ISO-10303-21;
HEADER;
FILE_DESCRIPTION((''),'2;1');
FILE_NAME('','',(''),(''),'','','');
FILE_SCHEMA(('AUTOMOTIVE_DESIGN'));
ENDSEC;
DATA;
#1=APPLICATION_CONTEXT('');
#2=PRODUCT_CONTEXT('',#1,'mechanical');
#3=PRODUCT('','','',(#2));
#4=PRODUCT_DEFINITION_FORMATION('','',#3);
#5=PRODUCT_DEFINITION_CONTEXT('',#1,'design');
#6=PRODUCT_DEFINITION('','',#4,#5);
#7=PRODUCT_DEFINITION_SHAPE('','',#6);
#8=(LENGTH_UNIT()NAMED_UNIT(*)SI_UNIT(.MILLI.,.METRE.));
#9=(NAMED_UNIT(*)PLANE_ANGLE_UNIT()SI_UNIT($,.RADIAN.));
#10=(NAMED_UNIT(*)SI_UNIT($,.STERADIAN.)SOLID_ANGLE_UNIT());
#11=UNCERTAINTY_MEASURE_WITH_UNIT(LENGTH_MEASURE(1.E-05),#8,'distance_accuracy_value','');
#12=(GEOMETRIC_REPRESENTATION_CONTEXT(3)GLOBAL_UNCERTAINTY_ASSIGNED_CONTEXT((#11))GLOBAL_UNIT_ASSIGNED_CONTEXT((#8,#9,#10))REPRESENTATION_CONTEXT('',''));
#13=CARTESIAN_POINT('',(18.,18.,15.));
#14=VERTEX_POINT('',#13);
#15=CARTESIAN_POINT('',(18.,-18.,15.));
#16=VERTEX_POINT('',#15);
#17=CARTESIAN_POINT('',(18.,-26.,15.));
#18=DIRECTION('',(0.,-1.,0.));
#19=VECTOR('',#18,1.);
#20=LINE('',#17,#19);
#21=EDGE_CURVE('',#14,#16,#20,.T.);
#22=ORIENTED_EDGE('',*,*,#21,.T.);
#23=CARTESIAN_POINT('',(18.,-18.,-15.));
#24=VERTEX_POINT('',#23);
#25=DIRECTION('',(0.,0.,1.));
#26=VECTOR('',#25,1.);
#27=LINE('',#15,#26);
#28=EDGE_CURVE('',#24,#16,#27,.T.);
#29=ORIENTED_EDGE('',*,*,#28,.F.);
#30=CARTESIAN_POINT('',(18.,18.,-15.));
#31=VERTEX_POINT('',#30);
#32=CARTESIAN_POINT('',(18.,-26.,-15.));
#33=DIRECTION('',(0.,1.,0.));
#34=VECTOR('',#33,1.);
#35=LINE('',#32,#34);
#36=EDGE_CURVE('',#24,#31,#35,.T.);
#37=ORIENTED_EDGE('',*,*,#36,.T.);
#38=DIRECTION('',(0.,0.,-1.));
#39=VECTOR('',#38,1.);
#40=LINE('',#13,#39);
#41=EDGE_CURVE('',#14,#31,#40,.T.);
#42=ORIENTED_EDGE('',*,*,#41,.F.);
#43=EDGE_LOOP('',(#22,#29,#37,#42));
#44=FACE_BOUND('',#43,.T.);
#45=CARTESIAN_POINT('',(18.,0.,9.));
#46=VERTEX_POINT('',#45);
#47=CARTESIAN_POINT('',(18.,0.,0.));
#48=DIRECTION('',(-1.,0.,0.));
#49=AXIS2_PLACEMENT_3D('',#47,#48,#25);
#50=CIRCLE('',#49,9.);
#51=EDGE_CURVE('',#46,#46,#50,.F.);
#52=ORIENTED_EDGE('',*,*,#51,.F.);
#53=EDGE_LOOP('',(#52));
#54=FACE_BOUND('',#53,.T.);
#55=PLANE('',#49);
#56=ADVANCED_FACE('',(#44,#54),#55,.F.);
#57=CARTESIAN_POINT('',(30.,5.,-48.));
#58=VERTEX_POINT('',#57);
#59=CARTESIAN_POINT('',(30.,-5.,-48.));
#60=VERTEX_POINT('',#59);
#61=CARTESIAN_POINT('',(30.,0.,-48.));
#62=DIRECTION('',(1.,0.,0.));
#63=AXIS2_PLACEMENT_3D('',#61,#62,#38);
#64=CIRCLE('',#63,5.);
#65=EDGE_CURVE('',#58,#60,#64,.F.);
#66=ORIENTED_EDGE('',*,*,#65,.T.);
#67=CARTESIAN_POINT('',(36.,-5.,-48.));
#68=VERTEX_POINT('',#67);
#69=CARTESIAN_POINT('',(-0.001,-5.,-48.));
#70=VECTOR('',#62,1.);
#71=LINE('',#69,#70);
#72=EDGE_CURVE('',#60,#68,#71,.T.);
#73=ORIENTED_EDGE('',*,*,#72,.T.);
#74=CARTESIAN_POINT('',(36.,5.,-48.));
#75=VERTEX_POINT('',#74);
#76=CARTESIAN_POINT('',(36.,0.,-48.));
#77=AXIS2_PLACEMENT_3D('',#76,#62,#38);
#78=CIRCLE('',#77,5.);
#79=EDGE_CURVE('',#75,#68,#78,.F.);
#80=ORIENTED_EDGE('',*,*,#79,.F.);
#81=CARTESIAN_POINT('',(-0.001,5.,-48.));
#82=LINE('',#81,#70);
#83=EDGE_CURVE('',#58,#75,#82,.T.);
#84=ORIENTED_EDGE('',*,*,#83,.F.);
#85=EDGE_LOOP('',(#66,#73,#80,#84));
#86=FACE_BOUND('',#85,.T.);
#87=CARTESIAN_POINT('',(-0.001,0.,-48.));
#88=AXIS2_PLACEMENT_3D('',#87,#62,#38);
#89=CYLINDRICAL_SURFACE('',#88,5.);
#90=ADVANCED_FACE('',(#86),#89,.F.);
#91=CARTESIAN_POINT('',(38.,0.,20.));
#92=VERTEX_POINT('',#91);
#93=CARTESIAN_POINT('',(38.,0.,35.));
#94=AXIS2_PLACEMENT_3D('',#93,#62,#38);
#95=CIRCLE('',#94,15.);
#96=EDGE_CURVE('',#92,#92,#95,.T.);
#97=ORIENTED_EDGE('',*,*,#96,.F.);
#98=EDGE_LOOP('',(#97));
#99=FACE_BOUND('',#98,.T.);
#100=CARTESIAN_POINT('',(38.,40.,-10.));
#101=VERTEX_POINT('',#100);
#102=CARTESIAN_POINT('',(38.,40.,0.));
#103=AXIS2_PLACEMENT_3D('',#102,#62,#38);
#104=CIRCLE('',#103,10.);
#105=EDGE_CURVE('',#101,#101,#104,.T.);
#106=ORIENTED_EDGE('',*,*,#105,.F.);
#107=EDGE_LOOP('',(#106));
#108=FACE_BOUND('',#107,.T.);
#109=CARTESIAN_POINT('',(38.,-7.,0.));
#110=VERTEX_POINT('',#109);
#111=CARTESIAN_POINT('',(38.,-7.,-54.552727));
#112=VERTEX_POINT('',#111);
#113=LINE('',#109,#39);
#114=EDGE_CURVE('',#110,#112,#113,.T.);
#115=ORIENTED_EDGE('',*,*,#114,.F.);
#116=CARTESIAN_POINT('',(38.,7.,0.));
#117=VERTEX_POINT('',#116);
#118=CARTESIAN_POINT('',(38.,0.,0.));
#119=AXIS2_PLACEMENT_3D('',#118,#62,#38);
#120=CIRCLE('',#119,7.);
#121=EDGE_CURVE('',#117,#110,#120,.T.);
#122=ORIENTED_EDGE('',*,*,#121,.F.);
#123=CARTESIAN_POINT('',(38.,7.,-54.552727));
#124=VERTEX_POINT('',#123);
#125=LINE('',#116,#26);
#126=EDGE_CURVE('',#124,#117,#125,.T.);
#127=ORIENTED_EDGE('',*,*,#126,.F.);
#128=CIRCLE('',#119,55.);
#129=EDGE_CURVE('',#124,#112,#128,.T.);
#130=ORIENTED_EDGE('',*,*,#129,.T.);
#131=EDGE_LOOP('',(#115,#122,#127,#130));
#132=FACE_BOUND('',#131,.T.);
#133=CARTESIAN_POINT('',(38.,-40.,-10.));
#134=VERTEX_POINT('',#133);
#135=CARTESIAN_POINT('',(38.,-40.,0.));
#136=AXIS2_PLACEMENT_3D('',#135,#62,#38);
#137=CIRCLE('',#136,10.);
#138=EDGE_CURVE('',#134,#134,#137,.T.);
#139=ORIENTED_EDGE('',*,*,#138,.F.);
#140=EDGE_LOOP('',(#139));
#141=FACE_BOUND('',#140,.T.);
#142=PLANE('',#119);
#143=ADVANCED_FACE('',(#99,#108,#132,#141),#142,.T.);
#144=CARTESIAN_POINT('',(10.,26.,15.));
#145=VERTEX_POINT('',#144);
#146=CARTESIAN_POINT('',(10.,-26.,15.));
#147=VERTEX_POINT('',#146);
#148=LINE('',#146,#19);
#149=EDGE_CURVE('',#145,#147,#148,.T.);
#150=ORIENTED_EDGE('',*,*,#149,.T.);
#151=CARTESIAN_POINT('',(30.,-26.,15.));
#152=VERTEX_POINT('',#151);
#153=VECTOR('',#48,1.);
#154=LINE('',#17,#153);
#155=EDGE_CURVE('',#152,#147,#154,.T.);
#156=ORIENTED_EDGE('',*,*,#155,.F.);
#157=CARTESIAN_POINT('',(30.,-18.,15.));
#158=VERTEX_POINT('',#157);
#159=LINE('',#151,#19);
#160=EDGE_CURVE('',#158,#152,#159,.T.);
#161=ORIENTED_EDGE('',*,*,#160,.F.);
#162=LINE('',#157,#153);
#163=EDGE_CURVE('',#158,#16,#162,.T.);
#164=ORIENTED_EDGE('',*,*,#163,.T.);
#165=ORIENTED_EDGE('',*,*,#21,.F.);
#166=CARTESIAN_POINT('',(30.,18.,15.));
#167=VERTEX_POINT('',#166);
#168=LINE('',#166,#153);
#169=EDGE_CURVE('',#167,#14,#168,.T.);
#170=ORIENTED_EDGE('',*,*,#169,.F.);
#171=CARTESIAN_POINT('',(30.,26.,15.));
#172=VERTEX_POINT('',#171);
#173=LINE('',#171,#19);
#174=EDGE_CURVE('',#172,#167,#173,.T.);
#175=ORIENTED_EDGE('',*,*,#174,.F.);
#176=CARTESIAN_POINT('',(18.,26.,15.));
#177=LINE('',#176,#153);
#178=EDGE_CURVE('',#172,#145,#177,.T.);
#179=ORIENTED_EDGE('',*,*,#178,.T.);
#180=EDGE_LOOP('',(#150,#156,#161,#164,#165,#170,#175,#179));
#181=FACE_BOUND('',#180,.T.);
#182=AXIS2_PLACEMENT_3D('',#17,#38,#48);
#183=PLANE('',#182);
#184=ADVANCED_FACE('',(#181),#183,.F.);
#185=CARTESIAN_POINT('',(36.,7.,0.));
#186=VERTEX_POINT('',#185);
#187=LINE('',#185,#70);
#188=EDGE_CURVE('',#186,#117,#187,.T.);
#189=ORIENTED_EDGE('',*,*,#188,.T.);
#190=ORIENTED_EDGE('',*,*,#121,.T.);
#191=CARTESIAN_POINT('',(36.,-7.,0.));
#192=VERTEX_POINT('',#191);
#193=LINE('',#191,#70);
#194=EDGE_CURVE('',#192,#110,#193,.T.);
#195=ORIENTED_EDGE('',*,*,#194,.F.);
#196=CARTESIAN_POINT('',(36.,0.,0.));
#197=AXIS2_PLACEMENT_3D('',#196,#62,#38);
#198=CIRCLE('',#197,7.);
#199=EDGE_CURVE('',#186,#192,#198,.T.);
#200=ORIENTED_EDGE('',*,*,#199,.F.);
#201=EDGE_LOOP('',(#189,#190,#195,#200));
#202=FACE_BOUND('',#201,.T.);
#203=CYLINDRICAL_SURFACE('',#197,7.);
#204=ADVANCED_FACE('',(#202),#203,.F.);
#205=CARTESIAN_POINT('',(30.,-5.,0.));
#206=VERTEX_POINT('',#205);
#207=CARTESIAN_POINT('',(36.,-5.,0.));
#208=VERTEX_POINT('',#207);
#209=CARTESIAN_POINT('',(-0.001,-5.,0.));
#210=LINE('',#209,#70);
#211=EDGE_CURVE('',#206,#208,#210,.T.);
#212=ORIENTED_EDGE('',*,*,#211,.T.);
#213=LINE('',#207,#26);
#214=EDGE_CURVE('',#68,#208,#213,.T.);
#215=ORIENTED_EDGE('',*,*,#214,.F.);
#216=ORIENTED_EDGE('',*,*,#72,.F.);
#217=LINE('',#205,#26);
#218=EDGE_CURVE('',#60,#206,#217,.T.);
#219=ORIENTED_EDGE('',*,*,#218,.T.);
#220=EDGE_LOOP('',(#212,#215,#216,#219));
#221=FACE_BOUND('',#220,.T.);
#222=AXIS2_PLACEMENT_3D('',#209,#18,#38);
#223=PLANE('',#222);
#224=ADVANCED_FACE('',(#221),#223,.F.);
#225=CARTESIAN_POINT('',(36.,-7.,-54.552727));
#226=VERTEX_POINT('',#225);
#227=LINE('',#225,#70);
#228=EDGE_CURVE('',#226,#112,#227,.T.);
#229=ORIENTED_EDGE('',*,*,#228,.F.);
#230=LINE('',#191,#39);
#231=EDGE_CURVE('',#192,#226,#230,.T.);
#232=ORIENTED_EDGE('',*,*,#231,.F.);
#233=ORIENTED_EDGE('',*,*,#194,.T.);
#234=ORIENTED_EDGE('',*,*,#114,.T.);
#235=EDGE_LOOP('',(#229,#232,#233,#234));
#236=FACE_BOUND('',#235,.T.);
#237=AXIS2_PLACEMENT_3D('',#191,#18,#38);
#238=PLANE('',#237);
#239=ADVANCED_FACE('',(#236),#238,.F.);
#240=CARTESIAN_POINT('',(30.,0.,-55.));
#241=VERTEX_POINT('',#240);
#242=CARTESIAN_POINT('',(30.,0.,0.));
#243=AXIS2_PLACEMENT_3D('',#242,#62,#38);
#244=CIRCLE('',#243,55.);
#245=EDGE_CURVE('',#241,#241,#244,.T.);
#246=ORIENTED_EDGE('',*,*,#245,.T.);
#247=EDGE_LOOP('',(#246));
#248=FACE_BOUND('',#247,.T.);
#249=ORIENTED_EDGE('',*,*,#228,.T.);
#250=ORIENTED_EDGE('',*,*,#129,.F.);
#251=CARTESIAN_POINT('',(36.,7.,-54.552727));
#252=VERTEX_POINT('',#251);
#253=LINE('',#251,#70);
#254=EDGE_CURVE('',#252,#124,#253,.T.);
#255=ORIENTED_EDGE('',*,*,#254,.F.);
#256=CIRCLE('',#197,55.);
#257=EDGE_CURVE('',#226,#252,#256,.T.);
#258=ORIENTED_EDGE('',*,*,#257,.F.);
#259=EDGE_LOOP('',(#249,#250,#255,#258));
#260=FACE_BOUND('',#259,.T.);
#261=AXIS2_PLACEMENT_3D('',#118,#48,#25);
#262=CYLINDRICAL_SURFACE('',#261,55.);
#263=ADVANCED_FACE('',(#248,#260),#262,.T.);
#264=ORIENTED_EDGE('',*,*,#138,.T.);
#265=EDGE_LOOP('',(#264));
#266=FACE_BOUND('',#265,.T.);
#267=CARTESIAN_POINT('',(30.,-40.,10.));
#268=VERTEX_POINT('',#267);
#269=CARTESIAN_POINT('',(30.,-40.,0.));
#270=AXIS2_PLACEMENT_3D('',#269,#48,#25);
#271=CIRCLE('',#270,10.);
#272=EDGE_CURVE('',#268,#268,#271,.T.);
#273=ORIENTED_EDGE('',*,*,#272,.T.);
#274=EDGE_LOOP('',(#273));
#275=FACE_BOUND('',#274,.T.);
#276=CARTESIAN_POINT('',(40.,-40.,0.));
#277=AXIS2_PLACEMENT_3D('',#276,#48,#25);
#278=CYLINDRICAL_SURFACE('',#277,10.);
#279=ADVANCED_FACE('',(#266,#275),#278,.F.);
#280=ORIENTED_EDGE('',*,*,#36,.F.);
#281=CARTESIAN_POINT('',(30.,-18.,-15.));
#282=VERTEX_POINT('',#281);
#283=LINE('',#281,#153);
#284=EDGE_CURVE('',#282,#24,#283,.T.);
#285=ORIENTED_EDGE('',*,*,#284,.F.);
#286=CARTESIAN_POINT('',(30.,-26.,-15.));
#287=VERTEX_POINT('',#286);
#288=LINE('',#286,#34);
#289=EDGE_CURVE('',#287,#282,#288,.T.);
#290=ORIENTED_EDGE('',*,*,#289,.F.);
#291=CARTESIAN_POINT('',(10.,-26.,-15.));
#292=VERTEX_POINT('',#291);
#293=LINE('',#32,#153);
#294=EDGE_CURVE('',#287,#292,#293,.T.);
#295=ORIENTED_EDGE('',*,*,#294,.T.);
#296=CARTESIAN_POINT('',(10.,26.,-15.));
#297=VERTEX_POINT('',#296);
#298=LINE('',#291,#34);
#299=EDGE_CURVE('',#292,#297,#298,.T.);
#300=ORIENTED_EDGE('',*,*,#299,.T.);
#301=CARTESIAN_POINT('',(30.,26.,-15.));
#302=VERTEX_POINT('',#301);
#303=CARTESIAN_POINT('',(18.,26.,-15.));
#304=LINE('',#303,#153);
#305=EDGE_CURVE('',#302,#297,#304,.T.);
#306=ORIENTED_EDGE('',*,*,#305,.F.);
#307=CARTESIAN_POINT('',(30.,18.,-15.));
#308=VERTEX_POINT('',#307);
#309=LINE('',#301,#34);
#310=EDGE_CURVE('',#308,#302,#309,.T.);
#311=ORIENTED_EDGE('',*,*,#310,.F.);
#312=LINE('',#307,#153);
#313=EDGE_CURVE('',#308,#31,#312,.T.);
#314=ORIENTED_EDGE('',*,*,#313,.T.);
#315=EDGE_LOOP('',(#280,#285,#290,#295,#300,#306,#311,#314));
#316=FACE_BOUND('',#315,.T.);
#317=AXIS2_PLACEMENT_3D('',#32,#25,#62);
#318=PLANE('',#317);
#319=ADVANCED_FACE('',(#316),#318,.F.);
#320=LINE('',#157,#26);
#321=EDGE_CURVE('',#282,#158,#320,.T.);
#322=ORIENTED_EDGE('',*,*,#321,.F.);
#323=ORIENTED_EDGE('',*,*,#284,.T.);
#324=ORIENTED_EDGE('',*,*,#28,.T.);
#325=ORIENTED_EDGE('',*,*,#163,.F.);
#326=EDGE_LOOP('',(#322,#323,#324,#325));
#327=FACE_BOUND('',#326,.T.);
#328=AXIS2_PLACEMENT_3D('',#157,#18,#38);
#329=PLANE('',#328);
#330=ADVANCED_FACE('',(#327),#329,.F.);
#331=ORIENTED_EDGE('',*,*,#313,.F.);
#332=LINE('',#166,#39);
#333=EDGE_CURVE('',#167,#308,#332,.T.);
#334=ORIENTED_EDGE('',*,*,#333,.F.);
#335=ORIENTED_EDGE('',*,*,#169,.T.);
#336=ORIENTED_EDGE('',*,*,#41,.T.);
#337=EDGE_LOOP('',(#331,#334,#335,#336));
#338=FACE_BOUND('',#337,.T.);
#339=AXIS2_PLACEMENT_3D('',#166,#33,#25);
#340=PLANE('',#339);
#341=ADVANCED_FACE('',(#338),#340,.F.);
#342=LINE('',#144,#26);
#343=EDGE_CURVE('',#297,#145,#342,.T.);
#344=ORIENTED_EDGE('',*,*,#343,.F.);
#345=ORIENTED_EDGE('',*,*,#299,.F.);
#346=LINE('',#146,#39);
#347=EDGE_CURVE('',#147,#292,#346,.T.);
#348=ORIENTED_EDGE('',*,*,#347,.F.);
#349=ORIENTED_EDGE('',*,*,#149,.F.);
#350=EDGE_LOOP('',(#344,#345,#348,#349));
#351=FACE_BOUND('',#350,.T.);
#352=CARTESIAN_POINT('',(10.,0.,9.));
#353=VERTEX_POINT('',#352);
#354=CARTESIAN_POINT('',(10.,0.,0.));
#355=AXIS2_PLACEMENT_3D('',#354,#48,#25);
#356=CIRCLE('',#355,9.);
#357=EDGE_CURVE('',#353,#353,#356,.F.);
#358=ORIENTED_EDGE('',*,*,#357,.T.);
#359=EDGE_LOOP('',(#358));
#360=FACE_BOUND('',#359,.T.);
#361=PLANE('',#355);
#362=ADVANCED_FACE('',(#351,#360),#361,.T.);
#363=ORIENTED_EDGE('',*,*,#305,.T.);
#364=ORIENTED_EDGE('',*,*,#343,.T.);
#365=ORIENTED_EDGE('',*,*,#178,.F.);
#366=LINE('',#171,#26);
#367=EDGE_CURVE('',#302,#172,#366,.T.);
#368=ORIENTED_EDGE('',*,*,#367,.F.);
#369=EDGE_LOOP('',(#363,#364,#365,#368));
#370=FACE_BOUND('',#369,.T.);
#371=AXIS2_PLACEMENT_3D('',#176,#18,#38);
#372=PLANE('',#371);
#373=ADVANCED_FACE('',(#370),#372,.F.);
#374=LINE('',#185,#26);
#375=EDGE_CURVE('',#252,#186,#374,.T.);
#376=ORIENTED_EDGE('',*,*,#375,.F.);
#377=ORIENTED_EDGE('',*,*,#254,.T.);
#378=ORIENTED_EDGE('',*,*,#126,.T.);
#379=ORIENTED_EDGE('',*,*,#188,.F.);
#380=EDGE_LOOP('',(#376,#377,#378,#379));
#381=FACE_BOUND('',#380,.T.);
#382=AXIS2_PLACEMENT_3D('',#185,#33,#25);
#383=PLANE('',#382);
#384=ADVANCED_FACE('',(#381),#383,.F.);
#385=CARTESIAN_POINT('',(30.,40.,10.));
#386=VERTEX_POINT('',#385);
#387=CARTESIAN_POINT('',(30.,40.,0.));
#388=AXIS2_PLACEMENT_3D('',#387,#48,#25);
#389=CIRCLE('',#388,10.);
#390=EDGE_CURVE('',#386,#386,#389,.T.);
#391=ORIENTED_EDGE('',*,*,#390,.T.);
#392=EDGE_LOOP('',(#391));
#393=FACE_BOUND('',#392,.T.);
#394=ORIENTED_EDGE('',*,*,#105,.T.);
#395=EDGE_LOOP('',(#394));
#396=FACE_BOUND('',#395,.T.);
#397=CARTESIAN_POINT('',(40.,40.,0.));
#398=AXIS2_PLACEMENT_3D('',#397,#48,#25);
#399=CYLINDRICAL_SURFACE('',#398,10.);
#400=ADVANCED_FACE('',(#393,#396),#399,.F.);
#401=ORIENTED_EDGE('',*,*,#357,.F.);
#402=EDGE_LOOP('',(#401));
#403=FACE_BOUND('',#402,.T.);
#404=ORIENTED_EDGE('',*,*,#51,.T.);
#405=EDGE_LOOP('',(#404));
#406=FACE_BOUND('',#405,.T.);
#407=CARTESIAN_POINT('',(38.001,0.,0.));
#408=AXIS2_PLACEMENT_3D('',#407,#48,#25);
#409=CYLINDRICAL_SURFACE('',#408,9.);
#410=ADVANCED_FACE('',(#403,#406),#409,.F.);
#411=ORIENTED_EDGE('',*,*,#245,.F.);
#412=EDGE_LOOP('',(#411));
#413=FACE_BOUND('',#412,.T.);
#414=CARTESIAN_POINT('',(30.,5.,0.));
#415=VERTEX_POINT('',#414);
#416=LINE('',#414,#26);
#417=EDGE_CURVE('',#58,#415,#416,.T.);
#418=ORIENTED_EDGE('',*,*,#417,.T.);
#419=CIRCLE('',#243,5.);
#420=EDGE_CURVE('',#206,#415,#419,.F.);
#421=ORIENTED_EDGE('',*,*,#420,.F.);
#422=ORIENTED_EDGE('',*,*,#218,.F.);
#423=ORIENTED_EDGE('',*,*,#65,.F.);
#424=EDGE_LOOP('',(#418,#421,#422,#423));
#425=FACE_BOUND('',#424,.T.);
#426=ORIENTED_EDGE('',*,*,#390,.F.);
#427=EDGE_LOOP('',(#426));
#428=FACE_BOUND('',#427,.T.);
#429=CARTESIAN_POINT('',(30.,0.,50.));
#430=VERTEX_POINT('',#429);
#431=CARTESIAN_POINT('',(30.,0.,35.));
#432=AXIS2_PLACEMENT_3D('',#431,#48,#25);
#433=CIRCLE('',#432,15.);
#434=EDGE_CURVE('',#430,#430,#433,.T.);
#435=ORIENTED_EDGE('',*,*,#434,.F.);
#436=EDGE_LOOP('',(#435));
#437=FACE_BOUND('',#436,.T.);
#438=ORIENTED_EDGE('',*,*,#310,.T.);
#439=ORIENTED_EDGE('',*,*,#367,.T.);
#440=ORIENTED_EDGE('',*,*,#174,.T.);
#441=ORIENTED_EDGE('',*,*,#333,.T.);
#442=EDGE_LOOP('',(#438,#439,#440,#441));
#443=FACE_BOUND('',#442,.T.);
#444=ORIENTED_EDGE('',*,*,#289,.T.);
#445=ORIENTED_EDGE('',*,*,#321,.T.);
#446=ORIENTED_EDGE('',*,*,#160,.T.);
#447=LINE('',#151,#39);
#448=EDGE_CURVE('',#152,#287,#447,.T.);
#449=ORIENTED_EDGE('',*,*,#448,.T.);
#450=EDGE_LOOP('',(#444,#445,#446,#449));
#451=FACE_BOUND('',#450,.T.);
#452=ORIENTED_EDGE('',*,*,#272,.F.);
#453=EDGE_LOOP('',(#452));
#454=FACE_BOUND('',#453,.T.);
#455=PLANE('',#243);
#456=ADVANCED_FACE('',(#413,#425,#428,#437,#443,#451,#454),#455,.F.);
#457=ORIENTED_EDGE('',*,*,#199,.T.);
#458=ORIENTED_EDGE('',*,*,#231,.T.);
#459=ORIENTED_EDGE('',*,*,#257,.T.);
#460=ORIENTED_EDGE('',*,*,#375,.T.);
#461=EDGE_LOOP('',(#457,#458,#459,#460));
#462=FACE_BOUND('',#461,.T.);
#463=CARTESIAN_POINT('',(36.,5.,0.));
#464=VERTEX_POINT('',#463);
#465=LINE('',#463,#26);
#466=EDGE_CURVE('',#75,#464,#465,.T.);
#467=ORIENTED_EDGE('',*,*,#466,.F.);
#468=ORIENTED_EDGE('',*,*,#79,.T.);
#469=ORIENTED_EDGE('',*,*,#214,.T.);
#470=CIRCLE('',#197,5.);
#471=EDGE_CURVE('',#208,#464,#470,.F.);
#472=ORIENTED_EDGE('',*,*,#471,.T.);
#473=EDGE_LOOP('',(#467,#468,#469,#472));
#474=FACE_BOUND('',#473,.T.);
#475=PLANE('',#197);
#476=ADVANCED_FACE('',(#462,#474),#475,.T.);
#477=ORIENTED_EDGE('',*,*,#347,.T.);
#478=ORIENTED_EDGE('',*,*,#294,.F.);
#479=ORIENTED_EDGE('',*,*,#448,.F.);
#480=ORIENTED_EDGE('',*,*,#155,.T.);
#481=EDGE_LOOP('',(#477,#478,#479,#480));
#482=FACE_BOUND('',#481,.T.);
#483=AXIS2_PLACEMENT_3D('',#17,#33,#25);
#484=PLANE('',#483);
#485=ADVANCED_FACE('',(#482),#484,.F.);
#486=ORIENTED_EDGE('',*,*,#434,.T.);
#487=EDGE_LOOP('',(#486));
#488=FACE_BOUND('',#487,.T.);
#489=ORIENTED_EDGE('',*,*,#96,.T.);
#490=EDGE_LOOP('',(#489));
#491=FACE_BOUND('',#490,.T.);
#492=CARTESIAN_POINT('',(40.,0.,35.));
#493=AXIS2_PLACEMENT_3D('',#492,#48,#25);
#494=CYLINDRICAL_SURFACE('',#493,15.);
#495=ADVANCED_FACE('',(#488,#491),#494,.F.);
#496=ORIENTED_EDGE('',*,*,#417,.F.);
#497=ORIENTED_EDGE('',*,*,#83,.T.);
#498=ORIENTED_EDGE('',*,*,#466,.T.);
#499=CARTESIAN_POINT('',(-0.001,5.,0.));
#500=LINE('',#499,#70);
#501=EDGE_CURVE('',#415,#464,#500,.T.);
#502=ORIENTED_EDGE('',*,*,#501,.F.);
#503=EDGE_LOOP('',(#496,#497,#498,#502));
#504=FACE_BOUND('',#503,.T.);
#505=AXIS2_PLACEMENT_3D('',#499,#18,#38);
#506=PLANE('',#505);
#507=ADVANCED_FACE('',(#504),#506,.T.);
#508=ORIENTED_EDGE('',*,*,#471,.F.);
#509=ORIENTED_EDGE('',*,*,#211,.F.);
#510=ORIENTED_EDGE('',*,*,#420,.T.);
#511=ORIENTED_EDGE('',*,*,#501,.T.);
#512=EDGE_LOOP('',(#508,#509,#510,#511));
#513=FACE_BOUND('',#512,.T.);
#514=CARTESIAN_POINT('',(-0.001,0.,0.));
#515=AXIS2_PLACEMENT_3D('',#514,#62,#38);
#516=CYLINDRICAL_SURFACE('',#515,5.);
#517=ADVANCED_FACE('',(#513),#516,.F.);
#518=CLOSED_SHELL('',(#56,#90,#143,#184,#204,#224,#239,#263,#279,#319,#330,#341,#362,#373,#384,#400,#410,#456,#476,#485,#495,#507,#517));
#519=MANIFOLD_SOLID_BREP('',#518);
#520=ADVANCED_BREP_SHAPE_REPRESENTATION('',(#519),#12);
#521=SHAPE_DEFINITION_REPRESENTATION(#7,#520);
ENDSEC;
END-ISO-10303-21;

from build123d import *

# Parameters (mm, degrees)
SKETCH_1_R          = 7.5
EXTRUDE_1_DEPTH     = 10
SKETCH_5_W          = 30
SKETCH_5_H          = 52
EXTRUDE_2_DEPTH     = 8
SKETCH_6_W          = 30
SKETCH_6_H          = 8
EXTRUDE_3_DEPTH     = 12
SKETCH_7_R          = 55
EXTRUDE_4_DEPTH     = 8
CUT_EXTRUDE_4_REACH = 40
CUT_EXTRUDE_6_DEPTH = 2
CUT_EXTRUDE_7_REACH = 40
SKETCH_12_R         = 9
SKETCH_13_R         = 10
SKETCH_13_R_2       = 15
CUT_EXTRUDE_8_DEPTH = 10


with BuildPart() as part:
    # 草图1 → 凸台-拉伸1 (new body)
    with BuildSketch(Plane(origin=(0, 0, 0), x_dir=(0, 0, -1), z_dir=(1, 0, 0))):
        Circle(SKETCH_1_R)
    extrude(amount=EXTRUDE_1_DEPTH)

    # 草图5 → 凸台-拉伸2 (add)
    with BuildSketch(Plane(origin=(10, 0, 0), x_dir=(0, 0, -1), z_dir=(1, 0, 0))):
        Rectangle(SKETCH_5_W, SKETCH_5_H)
    extrude(amount=EXTRUDE_2_DEPTH)

    # 草图6 → 凸台-拉伸3 (add)
    with BuildSketch(Plane(origin=(18, 0, 0), x_dir=(0, 0, -1), z_dir=(1, 0, 0))):
        with Locations((0, 22)):
            Rectangle(SKETCH_6_W, SKETCH_6_H)
        with Locations((0, -22)):
            Rectangle(SKETCH_6_W, SKETCH_6_H)
    extrude(amount=EXTRUDE_3_DEPTH)

    # 草图7 → 凸台-拉伸4 (add)
    with BuildSketch(Plane(origin=(30, 0, 0), x_dir=(0, 0, -1), z_dir=(1, 0, 0))):
        Circle(SKETCH_7_R)
    extrude(amount=EXTRUDE_4_DEPTH)

    # 草图8 → 切除-拉伸4 (cut, up to next)
    with BuildSketch(Plane(origin=(38, 0, 0), x_dir=(0, 0, -1), z_dir=(1, 0, 0)), mode=Mode.PRIVATE) as cut_extrude_4_sk1:
        with BuildLine():
            Line((0, 5), (48, 5))
            ThreePointArc((48, 5), (53, 0), (48, -5))
            Line((48, -5), (0, -5))
            ThreePointArc((0, -5), (-5, 0), (0, 5))
        make_face()
    cut_extrude_4_tool1 = extrude(cut_extrude_4_sk1.sketch, amount=-CUT_EXTRUDE_4_REACH, mode=Mode.PRIVATE) & part.part
    add(cut_extrude_4_tool1.solids().sort_by_distance((38, 0, -24))[0], mode=Mode.SUBTRACT)

    # 草图11 → 切除-拉伸6 (cut)
    with BuildSketch(Plane(origin=(38, 0, 0), x_dir=(0, 0, -1), z_dir=(1, 0, 0))):
        with BuildLine():
            Line((0, 7), (54.552726788, 7))
            ThreePointArc((54.552726788, 7), (55, 0), (54.552726788, -7))
            Line((54.552726788, -7), (0, -7))
            ThreePointArc((0, -7), (-7, 0), (0, 7))
        make_face()
    extrude(amount=-CUT_EXTRUDE_6_DEPTH, mode=Mode.SUBTRACT)

    # 草图12 → 切除-拉伸7 (cut, up to next)
    with BuildSketch(Plane.ZY, mode=Mode.PRIVATE) as cut_extrude_7_sk1:
        Circle(SKETCH_12_R)
    cut_extrude_7_tool1 = extrude(cut_extrude_7_sk1.sketch, amount=-CUT_EXTRUDE_7_REACH, mode=Mode.PRIVATE) & part.part
    add(cut_extrude_7_tool1.solids().sort_by_distance((0, 0, 0))[0], mode=Mode.SUBTRACT)

    # 草图13 → 切除-拉伸8 (cut)
    with BuildSketch(Plane.ZY.offset(-30)):
        with Locations((0, 40)):
            Circle(SKETCH_13_R)
        with Locations((35, 0)):
            Circle(SKETCH_13_R_2)
        with Locations((0, -40)):
            Circle(SKETCH_13_R)
    extrude(amount=-CUT_EXTRUDE_8_DEPTH, mode=Mode.SUBTRACT)


solid = part.part
